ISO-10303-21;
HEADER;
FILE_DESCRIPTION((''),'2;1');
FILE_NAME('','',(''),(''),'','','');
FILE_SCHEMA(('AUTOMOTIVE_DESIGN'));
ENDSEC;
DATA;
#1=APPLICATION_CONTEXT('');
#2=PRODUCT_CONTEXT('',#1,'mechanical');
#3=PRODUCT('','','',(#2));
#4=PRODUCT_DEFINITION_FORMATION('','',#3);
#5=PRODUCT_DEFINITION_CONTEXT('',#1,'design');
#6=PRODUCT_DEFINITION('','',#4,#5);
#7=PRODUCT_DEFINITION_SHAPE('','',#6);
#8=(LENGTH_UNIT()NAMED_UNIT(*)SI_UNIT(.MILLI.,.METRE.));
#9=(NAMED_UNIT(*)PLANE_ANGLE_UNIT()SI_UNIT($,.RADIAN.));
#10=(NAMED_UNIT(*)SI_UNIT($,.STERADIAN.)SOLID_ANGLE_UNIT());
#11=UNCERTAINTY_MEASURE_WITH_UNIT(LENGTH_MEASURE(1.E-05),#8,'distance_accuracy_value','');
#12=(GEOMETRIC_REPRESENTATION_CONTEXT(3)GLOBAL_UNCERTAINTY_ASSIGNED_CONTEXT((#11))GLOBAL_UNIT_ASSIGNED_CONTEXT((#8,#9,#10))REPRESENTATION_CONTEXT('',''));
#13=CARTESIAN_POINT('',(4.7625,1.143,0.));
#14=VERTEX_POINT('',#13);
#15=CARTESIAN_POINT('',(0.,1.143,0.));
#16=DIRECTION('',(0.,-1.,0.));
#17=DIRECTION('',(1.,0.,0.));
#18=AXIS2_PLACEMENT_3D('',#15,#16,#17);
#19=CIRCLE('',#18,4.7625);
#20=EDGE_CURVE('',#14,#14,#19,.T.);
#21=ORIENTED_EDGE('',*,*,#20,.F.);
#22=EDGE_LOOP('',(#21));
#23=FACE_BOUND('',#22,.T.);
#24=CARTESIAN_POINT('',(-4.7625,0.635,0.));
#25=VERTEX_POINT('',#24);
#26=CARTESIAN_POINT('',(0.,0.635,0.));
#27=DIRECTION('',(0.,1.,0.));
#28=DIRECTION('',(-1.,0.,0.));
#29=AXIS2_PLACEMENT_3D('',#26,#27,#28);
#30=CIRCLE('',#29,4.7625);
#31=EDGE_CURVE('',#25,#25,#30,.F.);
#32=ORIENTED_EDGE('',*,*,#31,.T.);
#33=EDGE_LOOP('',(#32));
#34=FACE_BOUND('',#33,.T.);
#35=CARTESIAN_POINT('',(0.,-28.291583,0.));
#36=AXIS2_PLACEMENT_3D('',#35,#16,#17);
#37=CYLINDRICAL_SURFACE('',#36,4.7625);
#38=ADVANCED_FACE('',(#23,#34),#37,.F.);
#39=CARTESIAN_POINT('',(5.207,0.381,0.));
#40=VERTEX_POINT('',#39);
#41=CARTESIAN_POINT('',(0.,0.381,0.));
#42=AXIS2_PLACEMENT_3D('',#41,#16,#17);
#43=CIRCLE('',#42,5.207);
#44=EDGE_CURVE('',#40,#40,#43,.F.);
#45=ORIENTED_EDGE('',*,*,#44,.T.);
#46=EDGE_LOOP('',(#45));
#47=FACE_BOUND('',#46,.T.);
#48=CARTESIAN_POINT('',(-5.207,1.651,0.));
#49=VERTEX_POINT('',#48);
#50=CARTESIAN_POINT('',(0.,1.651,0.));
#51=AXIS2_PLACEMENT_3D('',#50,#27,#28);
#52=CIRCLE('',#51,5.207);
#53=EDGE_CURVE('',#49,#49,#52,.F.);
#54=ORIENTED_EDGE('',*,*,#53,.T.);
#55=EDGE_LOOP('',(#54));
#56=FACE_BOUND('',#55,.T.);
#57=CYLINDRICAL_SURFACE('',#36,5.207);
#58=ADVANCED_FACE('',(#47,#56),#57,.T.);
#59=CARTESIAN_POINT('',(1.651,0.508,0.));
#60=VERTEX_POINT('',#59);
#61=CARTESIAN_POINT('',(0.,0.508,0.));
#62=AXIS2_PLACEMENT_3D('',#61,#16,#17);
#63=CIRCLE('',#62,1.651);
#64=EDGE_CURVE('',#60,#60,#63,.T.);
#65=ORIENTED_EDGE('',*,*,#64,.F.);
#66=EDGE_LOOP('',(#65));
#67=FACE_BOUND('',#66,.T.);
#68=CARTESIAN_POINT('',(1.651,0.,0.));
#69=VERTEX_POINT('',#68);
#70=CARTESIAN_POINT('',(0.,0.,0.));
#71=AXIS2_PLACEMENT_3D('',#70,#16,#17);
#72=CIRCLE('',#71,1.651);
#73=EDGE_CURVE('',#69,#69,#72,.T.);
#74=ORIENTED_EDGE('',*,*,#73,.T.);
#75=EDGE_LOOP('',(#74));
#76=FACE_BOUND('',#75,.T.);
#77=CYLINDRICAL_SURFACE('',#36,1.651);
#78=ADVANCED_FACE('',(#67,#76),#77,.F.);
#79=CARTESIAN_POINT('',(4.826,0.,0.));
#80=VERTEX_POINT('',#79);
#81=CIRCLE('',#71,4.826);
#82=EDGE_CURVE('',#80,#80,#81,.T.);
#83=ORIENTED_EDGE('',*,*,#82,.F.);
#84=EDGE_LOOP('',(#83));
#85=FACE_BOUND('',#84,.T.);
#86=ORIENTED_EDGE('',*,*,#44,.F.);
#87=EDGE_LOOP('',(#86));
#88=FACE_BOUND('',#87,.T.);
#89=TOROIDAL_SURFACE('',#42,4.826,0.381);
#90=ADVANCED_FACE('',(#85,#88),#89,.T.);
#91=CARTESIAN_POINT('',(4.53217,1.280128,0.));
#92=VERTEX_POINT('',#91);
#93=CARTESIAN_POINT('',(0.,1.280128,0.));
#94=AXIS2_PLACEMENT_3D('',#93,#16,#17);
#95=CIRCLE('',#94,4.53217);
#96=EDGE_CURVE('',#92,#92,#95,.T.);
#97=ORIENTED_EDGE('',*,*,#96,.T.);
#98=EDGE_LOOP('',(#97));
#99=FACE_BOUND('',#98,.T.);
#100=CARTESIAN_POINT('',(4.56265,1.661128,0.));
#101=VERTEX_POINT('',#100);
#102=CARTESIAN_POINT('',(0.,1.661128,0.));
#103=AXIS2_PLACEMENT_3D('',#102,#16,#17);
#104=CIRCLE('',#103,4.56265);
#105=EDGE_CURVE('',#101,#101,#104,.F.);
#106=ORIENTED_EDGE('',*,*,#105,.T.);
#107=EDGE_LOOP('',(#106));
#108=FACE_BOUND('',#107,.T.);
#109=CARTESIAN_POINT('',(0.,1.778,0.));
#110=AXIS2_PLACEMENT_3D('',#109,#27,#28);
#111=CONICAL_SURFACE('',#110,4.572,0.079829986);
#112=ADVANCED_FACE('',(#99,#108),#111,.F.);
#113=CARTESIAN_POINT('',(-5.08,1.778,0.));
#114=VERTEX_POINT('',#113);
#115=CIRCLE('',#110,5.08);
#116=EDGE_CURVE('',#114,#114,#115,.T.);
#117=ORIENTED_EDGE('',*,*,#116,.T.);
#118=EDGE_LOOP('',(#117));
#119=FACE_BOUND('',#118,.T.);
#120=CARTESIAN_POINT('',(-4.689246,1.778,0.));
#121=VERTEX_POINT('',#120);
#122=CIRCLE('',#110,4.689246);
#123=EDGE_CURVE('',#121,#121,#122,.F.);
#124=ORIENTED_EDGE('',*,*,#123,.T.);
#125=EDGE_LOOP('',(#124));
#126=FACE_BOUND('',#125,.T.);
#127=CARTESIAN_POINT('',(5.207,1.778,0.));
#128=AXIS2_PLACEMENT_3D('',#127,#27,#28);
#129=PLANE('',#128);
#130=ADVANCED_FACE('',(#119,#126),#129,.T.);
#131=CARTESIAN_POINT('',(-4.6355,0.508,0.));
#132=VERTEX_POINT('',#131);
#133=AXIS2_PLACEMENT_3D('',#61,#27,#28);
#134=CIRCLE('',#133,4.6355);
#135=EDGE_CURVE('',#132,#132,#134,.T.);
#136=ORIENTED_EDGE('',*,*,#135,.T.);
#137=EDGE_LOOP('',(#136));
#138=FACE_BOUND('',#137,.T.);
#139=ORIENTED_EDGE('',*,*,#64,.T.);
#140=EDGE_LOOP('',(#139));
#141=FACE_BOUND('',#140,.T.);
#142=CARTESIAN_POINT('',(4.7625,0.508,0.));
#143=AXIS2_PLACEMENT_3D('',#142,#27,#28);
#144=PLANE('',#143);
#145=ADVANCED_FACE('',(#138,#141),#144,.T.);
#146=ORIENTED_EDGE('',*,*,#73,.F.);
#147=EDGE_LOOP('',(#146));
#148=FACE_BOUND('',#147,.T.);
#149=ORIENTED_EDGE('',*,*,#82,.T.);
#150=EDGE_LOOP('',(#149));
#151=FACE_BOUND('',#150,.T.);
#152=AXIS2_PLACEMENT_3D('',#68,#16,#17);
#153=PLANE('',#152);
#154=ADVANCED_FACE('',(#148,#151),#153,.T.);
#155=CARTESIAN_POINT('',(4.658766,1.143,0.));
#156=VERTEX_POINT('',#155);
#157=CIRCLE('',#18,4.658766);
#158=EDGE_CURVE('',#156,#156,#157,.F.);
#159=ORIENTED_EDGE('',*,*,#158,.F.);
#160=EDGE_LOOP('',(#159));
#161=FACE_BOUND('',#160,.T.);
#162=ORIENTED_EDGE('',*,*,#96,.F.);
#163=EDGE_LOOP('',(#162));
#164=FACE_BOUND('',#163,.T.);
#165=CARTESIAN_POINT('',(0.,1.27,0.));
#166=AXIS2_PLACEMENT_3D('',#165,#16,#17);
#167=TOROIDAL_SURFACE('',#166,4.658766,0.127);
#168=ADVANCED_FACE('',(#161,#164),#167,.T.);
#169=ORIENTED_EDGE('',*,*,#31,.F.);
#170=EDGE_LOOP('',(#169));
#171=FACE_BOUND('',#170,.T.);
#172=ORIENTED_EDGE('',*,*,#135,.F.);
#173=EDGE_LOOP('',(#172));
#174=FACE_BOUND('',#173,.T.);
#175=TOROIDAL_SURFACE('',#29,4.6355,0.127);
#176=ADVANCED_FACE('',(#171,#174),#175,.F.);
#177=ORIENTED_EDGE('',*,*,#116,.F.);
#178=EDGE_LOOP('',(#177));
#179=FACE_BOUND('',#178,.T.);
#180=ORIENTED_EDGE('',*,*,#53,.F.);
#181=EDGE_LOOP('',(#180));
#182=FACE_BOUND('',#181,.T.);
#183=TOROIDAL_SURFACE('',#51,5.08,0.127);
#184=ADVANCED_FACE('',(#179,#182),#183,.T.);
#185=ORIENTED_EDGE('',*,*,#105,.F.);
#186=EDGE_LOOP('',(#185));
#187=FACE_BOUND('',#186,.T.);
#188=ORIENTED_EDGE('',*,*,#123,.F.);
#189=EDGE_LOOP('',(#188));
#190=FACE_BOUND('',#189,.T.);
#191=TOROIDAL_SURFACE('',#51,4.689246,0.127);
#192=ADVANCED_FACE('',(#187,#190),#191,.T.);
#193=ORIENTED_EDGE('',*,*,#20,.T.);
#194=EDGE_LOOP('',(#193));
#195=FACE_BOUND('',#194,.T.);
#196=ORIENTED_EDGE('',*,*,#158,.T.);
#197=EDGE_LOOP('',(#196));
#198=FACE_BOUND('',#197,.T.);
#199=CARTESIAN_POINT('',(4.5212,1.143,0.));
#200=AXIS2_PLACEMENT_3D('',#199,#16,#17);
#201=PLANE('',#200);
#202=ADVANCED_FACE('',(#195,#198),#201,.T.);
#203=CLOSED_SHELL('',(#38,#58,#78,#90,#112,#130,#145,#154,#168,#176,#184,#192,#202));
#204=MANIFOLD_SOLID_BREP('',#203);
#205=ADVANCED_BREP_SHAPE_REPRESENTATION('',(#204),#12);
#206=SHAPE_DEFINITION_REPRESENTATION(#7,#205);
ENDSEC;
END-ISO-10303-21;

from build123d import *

# Parameters (mm, degrees)
FILLET1_R = 0.381
FILLET2_R = 0.127


with BuildPart() as part:
    # Sketch1 → Revolve1 (revolve)
    with BuildSketch(Plane.XY):
        Polygon((1.651, 0), (5.207, 0), (5.207, 1.778), (4.572, 1.778), (4.5212, 1.143), (4.7625, 1.143), (4.7625, 0.508), (1.651, 0.508), align=None)
    revolve(axis=Axis((0, -28.291583107, 0), (0, 1, 0)))

    # Fillet1
    fillet1_edges = [part.edges().sort_by_distance(p)[0] for p in [
        (-5.207, 0, 0),
    ]]
    fillet(fillet1_edges, radius=FILLET1_R)

    # Fillet2
    fillet2_edges = [part.edges().sort_by_distance(p)[0] for p in [
        (-4.7625, 0.508, 0),
        (-4.5212, 1.143, 0),
        (-4.572, 1.778, 0),
        (-5.207, 1.778, 0),
    ]]
    fillet(fillet2_edges, radius=FILLET2_R)


solid = part.part
